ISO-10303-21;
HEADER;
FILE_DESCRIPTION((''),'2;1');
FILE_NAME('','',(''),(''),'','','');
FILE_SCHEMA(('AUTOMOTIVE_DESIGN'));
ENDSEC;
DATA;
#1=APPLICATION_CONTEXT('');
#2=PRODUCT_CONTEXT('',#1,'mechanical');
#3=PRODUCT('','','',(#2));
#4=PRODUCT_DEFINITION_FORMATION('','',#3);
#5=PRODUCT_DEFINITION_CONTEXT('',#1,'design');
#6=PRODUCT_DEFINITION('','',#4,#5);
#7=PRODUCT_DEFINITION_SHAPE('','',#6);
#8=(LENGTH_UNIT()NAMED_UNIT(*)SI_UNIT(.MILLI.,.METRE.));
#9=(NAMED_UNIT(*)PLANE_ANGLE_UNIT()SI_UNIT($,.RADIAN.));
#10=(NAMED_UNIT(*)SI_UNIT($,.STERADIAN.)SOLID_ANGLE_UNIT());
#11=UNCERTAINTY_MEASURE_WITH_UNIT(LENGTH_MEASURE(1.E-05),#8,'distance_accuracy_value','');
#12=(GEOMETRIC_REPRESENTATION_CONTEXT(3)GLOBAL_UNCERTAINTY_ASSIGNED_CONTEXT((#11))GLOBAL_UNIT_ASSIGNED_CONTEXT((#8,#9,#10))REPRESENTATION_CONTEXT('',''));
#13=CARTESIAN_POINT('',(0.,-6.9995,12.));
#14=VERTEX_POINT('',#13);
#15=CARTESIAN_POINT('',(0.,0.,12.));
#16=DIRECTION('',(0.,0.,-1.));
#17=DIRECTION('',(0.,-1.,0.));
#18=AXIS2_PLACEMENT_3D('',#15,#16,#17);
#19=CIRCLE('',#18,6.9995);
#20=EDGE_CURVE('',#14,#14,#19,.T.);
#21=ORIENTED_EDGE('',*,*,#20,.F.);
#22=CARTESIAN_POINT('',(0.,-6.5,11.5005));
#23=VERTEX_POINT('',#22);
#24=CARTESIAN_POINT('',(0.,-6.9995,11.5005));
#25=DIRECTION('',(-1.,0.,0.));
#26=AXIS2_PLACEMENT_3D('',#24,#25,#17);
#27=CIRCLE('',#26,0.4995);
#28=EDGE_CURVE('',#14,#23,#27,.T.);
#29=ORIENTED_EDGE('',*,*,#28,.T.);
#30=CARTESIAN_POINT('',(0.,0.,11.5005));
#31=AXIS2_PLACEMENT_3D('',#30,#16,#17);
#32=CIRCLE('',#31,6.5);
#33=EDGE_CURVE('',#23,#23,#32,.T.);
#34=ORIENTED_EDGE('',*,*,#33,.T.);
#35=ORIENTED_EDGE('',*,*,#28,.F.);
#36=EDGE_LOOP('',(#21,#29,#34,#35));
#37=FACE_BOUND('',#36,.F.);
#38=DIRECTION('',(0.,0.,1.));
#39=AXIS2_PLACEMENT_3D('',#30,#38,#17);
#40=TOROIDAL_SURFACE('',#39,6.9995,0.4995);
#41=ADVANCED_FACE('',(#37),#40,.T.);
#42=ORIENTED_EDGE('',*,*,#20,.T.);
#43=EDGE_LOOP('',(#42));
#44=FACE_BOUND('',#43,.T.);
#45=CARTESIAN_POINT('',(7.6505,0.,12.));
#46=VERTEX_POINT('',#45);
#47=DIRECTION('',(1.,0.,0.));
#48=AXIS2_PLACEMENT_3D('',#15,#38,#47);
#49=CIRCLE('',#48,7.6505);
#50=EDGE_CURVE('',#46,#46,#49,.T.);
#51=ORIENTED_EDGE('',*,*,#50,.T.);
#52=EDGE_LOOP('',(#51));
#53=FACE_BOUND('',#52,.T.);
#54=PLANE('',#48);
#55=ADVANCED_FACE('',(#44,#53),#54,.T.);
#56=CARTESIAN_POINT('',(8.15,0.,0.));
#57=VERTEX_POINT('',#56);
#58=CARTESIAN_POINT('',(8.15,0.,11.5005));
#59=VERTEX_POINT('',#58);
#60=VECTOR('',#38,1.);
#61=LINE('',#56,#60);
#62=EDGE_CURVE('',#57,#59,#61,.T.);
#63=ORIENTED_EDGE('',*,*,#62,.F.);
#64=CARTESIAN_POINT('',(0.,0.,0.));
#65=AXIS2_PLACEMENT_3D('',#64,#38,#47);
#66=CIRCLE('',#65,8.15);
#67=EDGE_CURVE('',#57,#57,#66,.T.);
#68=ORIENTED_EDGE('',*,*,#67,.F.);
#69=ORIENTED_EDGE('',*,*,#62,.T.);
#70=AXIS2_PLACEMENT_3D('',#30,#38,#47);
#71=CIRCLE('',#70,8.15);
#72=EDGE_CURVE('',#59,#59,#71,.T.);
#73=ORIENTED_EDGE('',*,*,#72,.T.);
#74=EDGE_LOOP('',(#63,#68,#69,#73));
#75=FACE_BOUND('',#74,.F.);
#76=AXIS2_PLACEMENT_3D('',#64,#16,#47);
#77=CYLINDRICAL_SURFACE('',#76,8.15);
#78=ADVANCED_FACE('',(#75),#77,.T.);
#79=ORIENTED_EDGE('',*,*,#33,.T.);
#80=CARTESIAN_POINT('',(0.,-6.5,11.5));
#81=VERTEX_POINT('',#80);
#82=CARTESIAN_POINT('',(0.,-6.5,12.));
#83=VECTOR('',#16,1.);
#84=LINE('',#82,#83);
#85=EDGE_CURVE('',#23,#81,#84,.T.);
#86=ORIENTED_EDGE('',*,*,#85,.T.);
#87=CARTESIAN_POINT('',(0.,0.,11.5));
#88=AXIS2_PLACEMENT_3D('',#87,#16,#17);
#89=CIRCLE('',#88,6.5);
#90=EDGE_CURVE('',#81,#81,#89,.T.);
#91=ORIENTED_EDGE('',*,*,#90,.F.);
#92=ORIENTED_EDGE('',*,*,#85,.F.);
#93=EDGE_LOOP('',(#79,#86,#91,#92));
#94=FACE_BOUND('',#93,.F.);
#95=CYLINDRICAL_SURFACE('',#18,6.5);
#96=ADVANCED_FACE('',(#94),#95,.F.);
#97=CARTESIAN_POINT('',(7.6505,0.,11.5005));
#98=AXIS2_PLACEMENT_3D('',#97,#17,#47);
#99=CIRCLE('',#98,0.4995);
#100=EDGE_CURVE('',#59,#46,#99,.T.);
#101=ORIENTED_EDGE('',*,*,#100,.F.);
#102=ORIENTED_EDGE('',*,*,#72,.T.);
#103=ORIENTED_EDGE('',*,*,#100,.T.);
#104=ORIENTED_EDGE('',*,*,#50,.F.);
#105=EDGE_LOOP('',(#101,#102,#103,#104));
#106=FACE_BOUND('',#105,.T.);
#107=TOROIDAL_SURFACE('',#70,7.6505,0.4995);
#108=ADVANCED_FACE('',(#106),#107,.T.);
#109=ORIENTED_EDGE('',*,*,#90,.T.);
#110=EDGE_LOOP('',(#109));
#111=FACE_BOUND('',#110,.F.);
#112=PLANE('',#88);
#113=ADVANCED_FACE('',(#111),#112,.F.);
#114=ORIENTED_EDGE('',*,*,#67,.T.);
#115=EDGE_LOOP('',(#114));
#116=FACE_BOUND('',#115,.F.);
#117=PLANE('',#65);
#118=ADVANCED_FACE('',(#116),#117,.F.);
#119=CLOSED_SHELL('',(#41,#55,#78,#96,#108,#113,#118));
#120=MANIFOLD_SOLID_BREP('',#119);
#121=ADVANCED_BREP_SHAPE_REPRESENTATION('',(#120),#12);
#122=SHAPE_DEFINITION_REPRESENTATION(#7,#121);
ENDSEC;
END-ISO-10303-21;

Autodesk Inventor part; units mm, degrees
ref_plane "YZ Plane" through (0, 0, 0) normal (1, 0, 0) x (0, 1, 0)
ref_plane "XZ Plane" through (0, 0, 0) normal (0, 1, 0) x (-1, 0, 0)
ref_plane "XY Plane" through (0, 0, 0) normal (0, 0, 1) x (1, 0, 0)
sketch "Sketch1" plane through (0, 0, 0) normal (0, 0, 1) x (1, 0, 0)
  circle A0 centre (0, 0) radius 8.15
  dimension "d0" = 16.3
extrude "Extrusion1" add sketch "Sketch1" along normal blind 12
sketch "Sketch2" plane through (0, 0, 12) normal (0, 0, 1) x (1, 0, 0)
  circle A0 centre (0, 0) radius 8.15 projected
hole "Hole1" at (0, 0, 12) direction (0, 0, -1) diameter 13 depth 0.5
fillet "Fillet1" radius 0.5 2 edges at (-8.15, 0, 12) (0, 6.5, 12)
properties part number "Parallax_Ping_Transducer" material "ABS Plastic"
